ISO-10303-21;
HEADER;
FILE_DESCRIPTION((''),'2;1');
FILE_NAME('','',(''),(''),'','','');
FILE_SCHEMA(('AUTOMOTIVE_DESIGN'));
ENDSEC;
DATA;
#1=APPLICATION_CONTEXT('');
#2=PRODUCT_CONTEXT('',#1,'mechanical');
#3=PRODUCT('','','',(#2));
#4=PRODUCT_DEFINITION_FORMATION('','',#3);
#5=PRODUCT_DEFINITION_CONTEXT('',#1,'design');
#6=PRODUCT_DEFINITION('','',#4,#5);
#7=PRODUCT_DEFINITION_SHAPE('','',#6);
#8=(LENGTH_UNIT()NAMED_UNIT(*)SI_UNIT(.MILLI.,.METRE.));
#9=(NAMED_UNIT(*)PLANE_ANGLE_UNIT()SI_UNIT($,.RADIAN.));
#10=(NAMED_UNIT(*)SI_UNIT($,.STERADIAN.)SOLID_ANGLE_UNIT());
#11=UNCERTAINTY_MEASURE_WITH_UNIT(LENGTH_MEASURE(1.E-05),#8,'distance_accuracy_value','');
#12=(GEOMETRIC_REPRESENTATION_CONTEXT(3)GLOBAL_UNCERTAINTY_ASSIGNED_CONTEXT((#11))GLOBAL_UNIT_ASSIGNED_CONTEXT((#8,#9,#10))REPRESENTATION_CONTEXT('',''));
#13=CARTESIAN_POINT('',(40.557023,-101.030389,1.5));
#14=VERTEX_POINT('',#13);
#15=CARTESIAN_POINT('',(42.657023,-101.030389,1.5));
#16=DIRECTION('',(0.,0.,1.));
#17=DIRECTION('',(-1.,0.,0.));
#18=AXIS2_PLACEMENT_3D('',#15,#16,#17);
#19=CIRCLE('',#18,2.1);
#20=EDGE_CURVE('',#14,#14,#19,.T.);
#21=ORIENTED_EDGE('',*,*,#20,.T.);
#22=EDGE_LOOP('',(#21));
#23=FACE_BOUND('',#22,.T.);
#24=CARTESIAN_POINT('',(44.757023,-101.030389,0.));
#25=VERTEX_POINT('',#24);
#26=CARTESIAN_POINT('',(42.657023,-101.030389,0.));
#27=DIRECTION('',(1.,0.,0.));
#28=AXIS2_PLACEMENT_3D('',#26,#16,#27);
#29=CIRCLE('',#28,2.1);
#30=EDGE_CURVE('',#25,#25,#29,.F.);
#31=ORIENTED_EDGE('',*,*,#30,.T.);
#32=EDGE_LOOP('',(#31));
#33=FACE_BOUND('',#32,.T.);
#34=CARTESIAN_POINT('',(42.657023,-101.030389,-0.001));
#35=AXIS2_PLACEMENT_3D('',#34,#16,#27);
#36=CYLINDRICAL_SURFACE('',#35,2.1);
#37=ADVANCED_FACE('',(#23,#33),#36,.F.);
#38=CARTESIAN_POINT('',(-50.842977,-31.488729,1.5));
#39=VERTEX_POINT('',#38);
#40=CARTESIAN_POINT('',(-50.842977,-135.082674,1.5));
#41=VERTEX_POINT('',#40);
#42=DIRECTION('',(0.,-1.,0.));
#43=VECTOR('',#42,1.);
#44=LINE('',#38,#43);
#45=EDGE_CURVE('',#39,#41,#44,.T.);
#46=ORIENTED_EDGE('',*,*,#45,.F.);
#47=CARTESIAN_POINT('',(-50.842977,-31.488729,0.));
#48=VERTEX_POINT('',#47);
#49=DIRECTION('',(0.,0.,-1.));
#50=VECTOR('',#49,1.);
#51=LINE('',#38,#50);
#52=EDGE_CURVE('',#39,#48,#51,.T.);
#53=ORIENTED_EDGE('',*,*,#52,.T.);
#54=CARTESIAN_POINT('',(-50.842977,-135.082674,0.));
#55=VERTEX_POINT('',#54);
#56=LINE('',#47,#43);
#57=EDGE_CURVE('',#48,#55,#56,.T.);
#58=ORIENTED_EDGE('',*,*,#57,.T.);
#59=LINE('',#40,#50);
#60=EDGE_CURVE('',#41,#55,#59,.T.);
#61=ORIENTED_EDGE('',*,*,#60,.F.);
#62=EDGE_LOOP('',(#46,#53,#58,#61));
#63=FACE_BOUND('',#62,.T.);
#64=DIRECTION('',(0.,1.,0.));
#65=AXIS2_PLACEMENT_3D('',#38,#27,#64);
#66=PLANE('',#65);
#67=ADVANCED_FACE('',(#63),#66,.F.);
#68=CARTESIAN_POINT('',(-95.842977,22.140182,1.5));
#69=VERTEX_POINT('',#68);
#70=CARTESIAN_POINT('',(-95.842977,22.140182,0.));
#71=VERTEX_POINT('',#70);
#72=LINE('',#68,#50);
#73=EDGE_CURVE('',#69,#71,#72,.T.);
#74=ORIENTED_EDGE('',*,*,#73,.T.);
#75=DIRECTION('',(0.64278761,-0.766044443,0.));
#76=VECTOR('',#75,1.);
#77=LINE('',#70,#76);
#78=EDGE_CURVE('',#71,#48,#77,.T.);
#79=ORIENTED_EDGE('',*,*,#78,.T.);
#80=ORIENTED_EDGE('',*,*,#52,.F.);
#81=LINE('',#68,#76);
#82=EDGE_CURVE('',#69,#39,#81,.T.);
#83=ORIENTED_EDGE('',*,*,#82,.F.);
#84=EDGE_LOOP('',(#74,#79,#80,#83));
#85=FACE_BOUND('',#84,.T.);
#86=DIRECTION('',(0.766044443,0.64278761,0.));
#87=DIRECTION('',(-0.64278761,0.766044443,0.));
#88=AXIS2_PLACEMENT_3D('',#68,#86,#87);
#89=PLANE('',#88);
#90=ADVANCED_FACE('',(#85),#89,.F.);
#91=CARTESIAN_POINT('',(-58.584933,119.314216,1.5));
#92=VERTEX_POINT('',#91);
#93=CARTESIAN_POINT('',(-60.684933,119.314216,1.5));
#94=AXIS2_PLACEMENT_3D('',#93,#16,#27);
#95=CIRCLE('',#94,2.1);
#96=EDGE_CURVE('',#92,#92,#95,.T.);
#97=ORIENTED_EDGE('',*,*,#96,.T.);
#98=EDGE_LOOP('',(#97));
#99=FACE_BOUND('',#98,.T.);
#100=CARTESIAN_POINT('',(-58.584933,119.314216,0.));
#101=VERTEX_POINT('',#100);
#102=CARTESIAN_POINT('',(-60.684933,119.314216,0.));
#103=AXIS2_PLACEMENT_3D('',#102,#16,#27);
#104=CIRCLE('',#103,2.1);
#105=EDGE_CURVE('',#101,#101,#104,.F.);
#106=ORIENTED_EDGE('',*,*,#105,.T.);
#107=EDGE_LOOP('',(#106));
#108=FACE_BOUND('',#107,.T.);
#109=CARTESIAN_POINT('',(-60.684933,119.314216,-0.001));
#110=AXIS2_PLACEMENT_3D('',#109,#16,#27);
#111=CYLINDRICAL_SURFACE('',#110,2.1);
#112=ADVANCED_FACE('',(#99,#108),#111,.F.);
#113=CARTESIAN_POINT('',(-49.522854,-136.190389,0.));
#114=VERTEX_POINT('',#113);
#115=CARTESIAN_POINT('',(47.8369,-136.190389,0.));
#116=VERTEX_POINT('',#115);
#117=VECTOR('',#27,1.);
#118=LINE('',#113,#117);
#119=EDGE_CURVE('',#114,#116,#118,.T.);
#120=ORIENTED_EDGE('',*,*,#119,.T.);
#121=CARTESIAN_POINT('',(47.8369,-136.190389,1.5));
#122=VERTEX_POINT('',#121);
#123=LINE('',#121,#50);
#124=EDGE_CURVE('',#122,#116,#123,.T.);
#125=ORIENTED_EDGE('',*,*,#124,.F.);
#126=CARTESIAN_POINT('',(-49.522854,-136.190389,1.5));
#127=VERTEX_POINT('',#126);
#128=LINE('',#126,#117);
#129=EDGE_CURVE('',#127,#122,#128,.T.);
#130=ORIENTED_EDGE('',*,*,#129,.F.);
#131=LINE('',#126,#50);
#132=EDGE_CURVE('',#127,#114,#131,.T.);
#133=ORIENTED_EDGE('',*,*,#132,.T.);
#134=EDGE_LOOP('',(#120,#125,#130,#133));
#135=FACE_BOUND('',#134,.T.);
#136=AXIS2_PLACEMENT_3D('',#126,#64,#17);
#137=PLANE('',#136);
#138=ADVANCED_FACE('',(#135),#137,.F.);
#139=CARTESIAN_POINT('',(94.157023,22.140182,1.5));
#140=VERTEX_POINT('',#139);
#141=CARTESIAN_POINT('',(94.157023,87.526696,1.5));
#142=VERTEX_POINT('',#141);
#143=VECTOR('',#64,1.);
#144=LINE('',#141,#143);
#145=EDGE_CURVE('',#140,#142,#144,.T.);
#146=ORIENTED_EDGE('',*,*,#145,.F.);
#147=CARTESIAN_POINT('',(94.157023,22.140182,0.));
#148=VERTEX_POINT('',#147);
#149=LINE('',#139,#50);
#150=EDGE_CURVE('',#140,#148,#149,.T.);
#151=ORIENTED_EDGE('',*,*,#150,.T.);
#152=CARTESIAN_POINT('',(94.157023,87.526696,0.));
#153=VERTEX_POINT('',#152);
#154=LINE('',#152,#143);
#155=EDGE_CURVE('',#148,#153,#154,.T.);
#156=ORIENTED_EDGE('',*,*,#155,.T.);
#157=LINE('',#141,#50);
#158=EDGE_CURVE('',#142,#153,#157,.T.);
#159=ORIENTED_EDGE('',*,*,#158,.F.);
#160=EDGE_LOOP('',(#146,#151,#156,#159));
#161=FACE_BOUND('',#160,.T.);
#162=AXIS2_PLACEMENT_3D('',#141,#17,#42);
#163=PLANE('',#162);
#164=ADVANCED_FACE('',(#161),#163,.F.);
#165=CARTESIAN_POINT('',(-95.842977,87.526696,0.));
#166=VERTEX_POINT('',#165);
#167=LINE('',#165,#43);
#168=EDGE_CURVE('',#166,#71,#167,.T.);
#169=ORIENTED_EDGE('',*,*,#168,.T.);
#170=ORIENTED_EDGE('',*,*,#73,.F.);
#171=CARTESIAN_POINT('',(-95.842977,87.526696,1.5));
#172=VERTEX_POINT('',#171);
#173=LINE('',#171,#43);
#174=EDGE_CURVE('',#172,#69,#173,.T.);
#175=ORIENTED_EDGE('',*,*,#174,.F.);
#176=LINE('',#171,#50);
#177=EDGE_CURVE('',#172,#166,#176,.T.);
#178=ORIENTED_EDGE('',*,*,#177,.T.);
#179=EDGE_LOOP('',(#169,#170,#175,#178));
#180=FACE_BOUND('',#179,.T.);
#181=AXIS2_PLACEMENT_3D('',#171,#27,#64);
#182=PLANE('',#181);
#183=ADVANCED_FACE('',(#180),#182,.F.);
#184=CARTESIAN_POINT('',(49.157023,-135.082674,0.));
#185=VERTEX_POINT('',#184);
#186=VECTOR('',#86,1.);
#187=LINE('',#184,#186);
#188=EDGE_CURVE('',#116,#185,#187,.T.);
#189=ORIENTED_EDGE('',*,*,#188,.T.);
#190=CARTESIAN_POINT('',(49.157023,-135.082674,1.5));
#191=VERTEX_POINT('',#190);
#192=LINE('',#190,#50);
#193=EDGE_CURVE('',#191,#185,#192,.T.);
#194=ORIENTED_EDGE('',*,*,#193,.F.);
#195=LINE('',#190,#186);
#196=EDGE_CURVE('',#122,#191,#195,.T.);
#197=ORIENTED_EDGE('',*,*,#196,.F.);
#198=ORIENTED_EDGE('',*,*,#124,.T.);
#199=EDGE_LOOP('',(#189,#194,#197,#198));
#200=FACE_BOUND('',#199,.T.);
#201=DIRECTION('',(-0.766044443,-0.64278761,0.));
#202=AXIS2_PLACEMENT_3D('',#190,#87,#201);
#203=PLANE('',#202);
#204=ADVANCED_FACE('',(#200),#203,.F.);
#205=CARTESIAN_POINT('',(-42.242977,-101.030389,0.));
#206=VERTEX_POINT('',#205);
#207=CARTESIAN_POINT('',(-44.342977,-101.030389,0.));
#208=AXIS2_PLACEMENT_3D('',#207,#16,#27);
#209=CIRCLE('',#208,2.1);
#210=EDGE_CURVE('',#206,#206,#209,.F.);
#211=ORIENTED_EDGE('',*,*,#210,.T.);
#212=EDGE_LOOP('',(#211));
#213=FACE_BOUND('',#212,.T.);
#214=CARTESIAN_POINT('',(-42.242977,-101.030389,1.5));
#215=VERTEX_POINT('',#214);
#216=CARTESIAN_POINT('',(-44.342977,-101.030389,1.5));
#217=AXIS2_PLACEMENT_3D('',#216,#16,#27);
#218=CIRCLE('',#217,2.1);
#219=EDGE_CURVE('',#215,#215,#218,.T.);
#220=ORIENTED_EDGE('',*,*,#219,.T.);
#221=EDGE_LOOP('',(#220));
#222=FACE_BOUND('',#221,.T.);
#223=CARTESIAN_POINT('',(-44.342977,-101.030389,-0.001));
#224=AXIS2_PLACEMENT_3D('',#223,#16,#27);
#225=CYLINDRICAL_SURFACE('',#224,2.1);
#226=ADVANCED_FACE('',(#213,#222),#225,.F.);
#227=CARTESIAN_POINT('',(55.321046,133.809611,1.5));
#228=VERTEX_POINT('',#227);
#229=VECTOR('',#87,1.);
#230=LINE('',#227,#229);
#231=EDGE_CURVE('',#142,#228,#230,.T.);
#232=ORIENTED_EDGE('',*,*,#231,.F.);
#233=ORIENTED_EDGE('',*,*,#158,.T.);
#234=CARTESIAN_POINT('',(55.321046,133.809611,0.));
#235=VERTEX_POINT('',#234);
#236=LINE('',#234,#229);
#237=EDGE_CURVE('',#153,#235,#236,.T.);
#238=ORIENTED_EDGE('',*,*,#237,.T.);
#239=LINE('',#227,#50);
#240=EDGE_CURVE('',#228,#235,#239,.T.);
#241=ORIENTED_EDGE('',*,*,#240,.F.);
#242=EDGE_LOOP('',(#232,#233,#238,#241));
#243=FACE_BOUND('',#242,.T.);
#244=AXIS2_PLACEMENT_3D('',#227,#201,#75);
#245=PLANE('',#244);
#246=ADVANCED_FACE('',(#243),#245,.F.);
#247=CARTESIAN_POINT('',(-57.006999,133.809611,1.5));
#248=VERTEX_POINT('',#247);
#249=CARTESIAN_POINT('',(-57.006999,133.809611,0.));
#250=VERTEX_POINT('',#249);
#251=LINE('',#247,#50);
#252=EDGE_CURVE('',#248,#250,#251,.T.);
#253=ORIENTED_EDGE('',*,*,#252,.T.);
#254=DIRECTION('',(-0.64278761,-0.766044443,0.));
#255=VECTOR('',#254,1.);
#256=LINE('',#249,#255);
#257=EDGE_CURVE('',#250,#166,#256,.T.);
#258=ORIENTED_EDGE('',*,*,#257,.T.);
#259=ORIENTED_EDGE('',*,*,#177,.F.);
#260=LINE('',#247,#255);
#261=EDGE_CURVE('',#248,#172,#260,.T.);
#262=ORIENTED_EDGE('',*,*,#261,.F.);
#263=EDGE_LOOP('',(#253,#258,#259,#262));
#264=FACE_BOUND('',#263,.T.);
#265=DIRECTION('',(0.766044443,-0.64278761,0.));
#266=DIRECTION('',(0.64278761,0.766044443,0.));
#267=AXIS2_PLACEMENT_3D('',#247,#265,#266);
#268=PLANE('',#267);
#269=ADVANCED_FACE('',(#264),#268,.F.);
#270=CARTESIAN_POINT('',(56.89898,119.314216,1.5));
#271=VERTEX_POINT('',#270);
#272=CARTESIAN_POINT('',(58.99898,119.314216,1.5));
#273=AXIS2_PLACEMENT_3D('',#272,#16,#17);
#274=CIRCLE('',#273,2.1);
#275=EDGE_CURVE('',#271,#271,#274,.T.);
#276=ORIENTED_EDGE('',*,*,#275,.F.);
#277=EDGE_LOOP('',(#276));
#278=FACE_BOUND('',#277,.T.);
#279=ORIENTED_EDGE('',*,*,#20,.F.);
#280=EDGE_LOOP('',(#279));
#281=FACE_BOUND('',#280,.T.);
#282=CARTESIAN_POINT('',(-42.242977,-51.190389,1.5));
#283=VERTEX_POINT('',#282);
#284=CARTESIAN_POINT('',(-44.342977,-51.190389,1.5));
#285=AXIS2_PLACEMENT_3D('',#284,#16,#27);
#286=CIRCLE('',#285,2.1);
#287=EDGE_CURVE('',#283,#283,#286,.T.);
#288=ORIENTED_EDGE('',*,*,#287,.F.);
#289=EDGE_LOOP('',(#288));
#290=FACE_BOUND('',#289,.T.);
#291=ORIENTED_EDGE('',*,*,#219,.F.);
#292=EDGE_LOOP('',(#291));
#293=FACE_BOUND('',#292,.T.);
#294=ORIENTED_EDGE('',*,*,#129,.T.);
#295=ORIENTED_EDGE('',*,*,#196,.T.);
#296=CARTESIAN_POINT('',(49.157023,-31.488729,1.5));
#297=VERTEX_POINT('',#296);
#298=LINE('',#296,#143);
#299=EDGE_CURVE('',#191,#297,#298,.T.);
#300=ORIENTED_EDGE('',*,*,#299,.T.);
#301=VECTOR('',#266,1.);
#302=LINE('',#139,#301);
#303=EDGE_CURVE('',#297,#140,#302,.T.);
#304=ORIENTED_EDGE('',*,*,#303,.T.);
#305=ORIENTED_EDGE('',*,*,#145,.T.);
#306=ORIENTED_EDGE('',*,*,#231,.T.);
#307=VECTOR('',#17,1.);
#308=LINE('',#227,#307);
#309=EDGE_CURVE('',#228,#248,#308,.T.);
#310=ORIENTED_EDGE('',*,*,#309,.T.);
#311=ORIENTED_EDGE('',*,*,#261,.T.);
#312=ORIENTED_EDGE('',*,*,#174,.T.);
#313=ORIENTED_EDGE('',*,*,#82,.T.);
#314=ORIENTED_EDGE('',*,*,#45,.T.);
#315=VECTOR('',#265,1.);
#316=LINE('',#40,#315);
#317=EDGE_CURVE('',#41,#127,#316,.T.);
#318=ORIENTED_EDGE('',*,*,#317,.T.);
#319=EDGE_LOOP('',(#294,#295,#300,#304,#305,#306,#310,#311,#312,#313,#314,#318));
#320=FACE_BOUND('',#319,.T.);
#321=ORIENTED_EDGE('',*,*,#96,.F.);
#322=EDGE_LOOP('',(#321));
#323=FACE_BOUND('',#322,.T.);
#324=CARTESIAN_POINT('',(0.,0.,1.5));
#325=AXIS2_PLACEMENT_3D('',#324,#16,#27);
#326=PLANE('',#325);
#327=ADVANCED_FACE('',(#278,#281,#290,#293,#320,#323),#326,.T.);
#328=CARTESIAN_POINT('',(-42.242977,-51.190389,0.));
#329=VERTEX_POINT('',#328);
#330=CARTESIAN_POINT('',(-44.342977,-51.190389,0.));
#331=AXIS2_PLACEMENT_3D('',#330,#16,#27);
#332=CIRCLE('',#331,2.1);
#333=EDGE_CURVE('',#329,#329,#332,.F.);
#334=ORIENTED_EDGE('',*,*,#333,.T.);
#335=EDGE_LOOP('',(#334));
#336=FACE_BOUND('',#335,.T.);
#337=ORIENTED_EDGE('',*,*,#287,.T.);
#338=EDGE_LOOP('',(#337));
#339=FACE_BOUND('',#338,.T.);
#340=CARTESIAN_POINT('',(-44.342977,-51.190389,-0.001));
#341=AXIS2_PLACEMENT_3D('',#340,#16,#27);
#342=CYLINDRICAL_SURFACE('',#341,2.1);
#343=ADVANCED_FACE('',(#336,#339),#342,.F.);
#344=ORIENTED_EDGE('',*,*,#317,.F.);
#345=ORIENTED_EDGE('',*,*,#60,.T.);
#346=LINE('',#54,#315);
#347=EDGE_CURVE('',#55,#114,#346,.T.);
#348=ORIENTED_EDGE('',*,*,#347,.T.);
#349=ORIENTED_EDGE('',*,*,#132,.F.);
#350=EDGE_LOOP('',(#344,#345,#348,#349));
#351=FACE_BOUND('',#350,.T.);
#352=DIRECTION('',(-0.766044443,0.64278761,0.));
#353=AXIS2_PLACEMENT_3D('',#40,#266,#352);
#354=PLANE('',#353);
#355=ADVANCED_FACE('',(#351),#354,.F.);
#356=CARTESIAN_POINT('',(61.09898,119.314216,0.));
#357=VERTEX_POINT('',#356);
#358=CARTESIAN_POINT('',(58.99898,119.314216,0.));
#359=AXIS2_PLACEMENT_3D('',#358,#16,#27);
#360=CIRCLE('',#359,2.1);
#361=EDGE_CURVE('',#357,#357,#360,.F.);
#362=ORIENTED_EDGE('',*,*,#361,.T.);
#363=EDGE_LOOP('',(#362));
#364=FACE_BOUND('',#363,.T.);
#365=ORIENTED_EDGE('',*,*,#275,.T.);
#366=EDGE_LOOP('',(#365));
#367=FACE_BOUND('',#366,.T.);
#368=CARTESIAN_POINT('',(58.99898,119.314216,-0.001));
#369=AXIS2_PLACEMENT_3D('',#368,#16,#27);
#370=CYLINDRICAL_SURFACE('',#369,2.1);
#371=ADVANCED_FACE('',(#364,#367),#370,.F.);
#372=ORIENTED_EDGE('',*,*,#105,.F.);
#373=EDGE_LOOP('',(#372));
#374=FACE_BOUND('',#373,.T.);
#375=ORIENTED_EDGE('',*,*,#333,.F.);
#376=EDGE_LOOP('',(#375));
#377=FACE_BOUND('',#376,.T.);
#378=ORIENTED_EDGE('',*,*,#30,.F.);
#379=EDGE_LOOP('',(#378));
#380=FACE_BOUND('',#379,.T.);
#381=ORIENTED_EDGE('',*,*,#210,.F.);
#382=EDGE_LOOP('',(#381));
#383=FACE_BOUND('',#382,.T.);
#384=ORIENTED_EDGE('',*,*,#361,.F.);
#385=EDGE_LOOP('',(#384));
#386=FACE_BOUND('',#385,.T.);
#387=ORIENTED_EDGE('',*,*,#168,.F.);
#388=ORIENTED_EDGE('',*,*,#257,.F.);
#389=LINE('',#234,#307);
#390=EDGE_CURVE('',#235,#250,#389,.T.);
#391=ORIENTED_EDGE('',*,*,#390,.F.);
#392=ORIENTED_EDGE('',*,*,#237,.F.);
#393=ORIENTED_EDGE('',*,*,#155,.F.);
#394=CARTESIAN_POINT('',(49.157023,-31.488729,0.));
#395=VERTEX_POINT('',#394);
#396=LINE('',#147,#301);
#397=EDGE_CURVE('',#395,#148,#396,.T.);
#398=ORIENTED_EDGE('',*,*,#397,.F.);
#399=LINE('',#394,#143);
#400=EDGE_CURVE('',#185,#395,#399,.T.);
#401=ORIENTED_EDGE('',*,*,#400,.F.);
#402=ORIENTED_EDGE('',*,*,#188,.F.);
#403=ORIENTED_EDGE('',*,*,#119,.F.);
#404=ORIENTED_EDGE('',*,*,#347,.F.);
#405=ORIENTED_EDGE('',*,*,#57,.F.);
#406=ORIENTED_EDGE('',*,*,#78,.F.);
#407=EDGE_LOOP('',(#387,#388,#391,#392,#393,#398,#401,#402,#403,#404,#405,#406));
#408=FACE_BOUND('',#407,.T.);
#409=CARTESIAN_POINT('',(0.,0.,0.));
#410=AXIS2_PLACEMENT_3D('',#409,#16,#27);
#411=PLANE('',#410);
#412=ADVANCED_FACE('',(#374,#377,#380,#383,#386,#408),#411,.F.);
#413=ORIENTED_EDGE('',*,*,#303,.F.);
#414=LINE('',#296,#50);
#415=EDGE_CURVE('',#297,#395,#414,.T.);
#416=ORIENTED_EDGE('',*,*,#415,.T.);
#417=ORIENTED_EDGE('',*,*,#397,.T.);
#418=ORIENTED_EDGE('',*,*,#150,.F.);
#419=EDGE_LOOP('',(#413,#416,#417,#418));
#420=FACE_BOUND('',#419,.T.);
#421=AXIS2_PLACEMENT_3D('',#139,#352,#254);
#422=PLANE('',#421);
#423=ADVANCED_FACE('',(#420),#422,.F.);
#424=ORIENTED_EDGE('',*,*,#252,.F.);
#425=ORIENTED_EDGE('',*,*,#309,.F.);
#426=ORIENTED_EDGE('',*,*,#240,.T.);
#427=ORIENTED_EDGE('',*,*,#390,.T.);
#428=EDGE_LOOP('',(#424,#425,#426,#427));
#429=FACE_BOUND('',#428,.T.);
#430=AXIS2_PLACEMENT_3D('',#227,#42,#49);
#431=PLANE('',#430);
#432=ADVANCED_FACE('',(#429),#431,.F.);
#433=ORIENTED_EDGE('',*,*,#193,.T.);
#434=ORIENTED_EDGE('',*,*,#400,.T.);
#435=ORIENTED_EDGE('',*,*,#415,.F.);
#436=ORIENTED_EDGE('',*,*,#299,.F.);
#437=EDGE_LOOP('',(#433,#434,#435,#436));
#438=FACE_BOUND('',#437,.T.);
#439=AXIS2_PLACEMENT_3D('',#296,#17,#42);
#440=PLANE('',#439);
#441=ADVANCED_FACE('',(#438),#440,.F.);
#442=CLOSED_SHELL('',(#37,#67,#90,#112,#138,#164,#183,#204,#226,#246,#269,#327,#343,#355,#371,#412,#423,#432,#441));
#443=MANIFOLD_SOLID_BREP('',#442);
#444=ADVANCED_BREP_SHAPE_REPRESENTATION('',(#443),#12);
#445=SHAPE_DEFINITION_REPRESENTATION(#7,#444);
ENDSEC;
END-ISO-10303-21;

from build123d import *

# Parameters (mm, degrees)
RESSALTO_EXTRUS_O1_DEPTH = 1.5
CORTE_EXTRUS_O1_REACH    = 3.5
ESBO_O2_R                = 2.1


with BuildPart() as part:
    # Esboço1 → Ressalto-extrusão1 (new body)
    with BuildSketch(Plane.XY):
        Polygon((55.321046002, 133.809611411), (-57.006999458, 133.809611411), (-95.842976728, 87.526695978), (-95.842976728, 22.140182404), (-50.842976728, -31.488729263), (-50.842976728, -135.082673958), (-49.522853837, -136.190388589), (47.836900381, -136.190388589), (49.157023272, -135.082673958), (49.157023272, -31.488729263), (94.157023272, 22.140182404), (94.157023272, 87.526695978), align=None)
    extrude(amount=RESSALTO_EXTRUS_O1_DEPTH)

    # Esboço2 → Corte-extrusão1 (cut, up to next)
    with BuildSketch(Plane.XY.offset(1.5), mode=Mode.PRIVATE) as corte_extrus_o1_sk1:
        with Locations((-60.684933322, 119.314215641)):
            Circle(ESBO_O2_R)
    corte_extrus_o1_tool1 = extrude(corte_extrus_o1_sk1.sketch, amount=-CORTE_EXTRUS_O1_REACH, mode=Mode.PRIVATE) & part.part
    add(corte_extrus_o1_tool1.solids().sort_by_distance((-60.684933, 119.314216, 1.5))[0], mode=Mode.SUBTRACT)
    # Esboço2 → Corte-extrusão1 (cut, up to next)
    with BuildSketch(Plane.XY.offset(1.5), mode=Mode.PRIVATE) as corte_extrus_o1_sk2:
        with Locations((-44.342976728, -101.030388589)):
            Circle(ESBO_O2_R)
    corte_extrus_o1_tool2 = extrude(corte_extrus_o1_sk2.sketch, amount=-CORTE_EXTRUS_O1_REACH, mode=Mode.PRIVATE) & part.part
    add(corte_extrus_o1_tool2.solids().sort_by_distance((-44.342977, -101.030389, 1.5))[0], mode=Mode.SUBTRACT)
    # Esboço2 → Corte-extrusão1 (cut, up to next)
    with BuildSketch(Plane.XY.offset(1.5), mode=Mode.PRIVATE) as corte_extrus_o1_sk3:
        with Locations((42.657023272, -101.030388589)):
            Circle(ESBO_O2_R)
    corte_extrus_o1_tool3 = extrude(corte_extrus_o1_sk3.sketch, amount=-CORTE_EXTRUS_O1_REACH, mode=Mode.PRIVATE) & part.part
    add(corte_extrus_o1_tool3.solids().sort_by_distance((42.657023, -101.030389, 1.5))[0], mode=Mode.SUBTRACT)
    # Esboço2 → Corte-extrusão1 (cut, up to next)
    with BuildSketch(Plane.XY.offset(1.5), mode=Mode.PRIVATE) as corte_extrus_o1_sk4:
        with Locations((58.998979866, 119.314215641)):
            Circle(ESBO_O2_R)
    corte_extrus_o1_tool4 = extrude(corte_extrus_o1_sk4.sketch, amount=-CORTE_EXTRUS_O1_REACH, mode=Mode.PRIVATE) & part.part
    add(corte_extrus_o1_tool4.solids().sort_by_distance((58.99898, 119.314216, 1.5))[0], mode=Mode.SUBTRACT)
    # Esboço2 → Corte-extrusão1 (cut, up to next)
    with BuildSketch(Plane.XY.offset(1.5), mode=Mode.PRIVATE) as corte_extrus_o1_sk5:
        with Locations((-44.342976728, -51.190388589)):
            Circle(ESBO_O2_R)
    corte_extrus_o1_tool5 = extrude(corte_extrus_o1_sk5.sketch, amount=-CORTE_EXTRUS_O1_REACH, mode=Mode.PRIVATE) & part.part
    add(corte_extrus_o1_tool5.solids().sort_by_distance((-44.342977, -51.190389, 1.5))[0], mode=Mode.SUBTRACT)


solid = part.part
